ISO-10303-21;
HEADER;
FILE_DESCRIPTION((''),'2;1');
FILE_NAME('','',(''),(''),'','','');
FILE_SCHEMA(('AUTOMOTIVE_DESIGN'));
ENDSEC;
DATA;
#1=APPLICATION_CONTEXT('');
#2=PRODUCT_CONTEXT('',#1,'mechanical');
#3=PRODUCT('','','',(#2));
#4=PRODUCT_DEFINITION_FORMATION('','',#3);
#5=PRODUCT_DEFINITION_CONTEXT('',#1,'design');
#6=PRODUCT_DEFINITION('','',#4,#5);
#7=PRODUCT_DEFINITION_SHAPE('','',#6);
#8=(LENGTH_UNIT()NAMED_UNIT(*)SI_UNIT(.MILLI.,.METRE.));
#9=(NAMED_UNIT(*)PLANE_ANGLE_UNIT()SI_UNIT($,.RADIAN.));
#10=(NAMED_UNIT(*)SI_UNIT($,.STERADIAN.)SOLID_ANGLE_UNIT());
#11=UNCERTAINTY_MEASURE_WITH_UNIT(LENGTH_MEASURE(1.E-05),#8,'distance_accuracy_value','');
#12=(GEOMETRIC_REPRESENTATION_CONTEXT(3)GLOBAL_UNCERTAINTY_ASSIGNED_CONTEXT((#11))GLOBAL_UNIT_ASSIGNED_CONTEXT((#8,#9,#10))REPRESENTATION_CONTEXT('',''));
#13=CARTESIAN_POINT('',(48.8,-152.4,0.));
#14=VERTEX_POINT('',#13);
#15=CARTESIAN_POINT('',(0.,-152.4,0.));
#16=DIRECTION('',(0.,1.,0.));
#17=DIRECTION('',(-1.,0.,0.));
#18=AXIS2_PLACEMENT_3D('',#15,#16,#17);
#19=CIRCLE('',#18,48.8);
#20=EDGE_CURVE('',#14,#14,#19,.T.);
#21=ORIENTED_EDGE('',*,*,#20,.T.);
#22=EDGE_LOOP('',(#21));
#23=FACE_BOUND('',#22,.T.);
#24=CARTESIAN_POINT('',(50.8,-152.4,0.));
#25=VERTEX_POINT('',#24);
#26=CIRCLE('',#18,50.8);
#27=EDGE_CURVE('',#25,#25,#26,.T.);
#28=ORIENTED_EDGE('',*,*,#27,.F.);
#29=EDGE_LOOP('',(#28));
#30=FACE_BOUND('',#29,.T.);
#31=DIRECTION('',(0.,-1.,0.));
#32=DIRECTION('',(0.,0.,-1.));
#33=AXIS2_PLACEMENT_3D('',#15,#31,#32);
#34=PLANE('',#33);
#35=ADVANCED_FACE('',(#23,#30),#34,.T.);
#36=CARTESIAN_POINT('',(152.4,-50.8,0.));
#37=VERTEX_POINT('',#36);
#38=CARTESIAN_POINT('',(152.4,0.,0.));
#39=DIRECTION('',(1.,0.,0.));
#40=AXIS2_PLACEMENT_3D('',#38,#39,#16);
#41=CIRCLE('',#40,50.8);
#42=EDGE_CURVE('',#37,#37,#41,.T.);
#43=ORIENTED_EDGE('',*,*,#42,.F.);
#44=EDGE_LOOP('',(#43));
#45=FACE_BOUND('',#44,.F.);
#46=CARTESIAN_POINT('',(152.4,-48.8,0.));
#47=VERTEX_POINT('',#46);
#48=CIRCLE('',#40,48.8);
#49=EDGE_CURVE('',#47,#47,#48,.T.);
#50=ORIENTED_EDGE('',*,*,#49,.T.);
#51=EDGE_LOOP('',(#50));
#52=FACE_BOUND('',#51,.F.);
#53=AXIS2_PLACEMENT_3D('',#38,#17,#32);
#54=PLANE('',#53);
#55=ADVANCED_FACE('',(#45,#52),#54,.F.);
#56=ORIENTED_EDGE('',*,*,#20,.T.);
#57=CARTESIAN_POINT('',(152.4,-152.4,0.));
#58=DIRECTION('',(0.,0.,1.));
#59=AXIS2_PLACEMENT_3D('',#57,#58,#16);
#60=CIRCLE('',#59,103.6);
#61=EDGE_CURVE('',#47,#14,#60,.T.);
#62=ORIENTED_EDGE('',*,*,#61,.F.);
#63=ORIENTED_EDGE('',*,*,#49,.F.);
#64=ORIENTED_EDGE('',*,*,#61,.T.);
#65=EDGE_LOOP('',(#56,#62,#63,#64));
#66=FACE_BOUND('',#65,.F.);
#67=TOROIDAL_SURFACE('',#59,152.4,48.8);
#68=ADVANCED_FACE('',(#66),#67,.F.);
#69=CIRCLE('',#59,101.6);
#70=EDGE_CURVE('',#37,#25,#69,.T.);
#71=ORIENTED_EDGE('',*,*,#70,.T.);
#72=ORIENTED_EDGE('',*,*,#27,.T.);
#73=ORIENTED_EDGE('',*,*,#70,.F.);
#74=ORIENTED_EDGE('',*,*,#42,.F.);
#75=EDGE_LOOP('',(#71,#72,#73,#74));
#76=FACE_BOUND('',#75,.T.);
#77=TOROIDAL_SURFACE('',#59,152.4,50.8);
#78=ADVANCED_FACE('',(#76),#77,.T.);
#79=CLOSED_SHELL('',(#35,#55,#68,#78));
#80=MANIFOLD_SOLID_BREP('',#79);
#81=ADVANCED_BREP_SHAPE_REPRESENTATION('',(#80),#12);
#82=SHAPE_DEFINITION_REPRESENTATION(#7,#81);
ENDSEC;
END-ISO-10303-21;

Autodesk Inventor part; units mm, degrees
ref_plane "YZ Plane" through (0, 0, 0) normal (1, 0, 0) x (0, 1, 0)
ref_plane "XZ Plane" through (0, 0, 0) normal (0, 1, 0) x (-1, 0, 0)
sketch "Szkic6" plane through (0, 0, 0) normal (0, 0, 1) x (1, 0, 0)
  line L0 (-29.6067, 0) -> (35.2678, 0) construction
  line L1 (0, 42.3419) -> (0, -58.3726) construction
  arc A0 (152.4, 0) -> (0, -152.4) centre (152.4, -152.4) ccw
  line L2 (0, -152.4) -> (152.4, -152.4) construction
  line L3 (152.4, -152.4) -> (152.4, -86.8669) construction
  line L4 (152.4, 0) -> (152.4, 0)
  line L5 (0, -152.4) -> (0, -152.4)
  point P0 (0, 0)
  dimension "d24" = 152.4
  dimension "d31" = 90
  dimension "d36" = 0
  dimension "d37" = 0
ref_plane "Płaszczyzna konstrukcyjna2" through (0, -152.4, 0) normal (0, -1, 0) x (1, 0, 0)
sketch "Szkic8" plane through (0, -152.4, 0) normal (0, -1, 0) x (1, 0, 0)
  circle A0 centre (0, 0) radius 50.8
  circle A1 centre (0, 0) radius 48.8
  dimension "d32" = 101.6
  dimension "d33" = 2
sweep "Przeciągnięcie2" add profiles "Szkic8" path "Szkic6"
equation "\"d32\" = OD"
equation "\"d33\" = THK"
equation "\"d24\" = R"
equation "\"d31\" = KAT"
equation "\"SzerokośćGięciaPodcięcia\" = Grubość"
equation "\"RozmiarPodcięciaNarożnika\" = 4 * Grubość"
equation "\"PromieńPrzejścia\" = PromieńGięcia"
equation "\"Rozmiar_promienia_Jacobiego\" = PromieńGięcia"
equation "\"Wielk_odstępu\" = Grubość"
equation "\"d2\" = PromieńGięcia"
equation "\"d23\" = PromieńGięcia"
equation "\"R\" = 152.4"
equation "\"OD\" = 101.6"
equation "\"THK\" = 2"
equation "\"KAT\" = 90deg"
equation "\"PROSTKA\" = 0"
equation "\"Grubość\" = 1.5"
equation "\"PromieńGięcia\" = 3"
properties part number "Kolano 90° ø101,6x2 R152,4" material "304L"
